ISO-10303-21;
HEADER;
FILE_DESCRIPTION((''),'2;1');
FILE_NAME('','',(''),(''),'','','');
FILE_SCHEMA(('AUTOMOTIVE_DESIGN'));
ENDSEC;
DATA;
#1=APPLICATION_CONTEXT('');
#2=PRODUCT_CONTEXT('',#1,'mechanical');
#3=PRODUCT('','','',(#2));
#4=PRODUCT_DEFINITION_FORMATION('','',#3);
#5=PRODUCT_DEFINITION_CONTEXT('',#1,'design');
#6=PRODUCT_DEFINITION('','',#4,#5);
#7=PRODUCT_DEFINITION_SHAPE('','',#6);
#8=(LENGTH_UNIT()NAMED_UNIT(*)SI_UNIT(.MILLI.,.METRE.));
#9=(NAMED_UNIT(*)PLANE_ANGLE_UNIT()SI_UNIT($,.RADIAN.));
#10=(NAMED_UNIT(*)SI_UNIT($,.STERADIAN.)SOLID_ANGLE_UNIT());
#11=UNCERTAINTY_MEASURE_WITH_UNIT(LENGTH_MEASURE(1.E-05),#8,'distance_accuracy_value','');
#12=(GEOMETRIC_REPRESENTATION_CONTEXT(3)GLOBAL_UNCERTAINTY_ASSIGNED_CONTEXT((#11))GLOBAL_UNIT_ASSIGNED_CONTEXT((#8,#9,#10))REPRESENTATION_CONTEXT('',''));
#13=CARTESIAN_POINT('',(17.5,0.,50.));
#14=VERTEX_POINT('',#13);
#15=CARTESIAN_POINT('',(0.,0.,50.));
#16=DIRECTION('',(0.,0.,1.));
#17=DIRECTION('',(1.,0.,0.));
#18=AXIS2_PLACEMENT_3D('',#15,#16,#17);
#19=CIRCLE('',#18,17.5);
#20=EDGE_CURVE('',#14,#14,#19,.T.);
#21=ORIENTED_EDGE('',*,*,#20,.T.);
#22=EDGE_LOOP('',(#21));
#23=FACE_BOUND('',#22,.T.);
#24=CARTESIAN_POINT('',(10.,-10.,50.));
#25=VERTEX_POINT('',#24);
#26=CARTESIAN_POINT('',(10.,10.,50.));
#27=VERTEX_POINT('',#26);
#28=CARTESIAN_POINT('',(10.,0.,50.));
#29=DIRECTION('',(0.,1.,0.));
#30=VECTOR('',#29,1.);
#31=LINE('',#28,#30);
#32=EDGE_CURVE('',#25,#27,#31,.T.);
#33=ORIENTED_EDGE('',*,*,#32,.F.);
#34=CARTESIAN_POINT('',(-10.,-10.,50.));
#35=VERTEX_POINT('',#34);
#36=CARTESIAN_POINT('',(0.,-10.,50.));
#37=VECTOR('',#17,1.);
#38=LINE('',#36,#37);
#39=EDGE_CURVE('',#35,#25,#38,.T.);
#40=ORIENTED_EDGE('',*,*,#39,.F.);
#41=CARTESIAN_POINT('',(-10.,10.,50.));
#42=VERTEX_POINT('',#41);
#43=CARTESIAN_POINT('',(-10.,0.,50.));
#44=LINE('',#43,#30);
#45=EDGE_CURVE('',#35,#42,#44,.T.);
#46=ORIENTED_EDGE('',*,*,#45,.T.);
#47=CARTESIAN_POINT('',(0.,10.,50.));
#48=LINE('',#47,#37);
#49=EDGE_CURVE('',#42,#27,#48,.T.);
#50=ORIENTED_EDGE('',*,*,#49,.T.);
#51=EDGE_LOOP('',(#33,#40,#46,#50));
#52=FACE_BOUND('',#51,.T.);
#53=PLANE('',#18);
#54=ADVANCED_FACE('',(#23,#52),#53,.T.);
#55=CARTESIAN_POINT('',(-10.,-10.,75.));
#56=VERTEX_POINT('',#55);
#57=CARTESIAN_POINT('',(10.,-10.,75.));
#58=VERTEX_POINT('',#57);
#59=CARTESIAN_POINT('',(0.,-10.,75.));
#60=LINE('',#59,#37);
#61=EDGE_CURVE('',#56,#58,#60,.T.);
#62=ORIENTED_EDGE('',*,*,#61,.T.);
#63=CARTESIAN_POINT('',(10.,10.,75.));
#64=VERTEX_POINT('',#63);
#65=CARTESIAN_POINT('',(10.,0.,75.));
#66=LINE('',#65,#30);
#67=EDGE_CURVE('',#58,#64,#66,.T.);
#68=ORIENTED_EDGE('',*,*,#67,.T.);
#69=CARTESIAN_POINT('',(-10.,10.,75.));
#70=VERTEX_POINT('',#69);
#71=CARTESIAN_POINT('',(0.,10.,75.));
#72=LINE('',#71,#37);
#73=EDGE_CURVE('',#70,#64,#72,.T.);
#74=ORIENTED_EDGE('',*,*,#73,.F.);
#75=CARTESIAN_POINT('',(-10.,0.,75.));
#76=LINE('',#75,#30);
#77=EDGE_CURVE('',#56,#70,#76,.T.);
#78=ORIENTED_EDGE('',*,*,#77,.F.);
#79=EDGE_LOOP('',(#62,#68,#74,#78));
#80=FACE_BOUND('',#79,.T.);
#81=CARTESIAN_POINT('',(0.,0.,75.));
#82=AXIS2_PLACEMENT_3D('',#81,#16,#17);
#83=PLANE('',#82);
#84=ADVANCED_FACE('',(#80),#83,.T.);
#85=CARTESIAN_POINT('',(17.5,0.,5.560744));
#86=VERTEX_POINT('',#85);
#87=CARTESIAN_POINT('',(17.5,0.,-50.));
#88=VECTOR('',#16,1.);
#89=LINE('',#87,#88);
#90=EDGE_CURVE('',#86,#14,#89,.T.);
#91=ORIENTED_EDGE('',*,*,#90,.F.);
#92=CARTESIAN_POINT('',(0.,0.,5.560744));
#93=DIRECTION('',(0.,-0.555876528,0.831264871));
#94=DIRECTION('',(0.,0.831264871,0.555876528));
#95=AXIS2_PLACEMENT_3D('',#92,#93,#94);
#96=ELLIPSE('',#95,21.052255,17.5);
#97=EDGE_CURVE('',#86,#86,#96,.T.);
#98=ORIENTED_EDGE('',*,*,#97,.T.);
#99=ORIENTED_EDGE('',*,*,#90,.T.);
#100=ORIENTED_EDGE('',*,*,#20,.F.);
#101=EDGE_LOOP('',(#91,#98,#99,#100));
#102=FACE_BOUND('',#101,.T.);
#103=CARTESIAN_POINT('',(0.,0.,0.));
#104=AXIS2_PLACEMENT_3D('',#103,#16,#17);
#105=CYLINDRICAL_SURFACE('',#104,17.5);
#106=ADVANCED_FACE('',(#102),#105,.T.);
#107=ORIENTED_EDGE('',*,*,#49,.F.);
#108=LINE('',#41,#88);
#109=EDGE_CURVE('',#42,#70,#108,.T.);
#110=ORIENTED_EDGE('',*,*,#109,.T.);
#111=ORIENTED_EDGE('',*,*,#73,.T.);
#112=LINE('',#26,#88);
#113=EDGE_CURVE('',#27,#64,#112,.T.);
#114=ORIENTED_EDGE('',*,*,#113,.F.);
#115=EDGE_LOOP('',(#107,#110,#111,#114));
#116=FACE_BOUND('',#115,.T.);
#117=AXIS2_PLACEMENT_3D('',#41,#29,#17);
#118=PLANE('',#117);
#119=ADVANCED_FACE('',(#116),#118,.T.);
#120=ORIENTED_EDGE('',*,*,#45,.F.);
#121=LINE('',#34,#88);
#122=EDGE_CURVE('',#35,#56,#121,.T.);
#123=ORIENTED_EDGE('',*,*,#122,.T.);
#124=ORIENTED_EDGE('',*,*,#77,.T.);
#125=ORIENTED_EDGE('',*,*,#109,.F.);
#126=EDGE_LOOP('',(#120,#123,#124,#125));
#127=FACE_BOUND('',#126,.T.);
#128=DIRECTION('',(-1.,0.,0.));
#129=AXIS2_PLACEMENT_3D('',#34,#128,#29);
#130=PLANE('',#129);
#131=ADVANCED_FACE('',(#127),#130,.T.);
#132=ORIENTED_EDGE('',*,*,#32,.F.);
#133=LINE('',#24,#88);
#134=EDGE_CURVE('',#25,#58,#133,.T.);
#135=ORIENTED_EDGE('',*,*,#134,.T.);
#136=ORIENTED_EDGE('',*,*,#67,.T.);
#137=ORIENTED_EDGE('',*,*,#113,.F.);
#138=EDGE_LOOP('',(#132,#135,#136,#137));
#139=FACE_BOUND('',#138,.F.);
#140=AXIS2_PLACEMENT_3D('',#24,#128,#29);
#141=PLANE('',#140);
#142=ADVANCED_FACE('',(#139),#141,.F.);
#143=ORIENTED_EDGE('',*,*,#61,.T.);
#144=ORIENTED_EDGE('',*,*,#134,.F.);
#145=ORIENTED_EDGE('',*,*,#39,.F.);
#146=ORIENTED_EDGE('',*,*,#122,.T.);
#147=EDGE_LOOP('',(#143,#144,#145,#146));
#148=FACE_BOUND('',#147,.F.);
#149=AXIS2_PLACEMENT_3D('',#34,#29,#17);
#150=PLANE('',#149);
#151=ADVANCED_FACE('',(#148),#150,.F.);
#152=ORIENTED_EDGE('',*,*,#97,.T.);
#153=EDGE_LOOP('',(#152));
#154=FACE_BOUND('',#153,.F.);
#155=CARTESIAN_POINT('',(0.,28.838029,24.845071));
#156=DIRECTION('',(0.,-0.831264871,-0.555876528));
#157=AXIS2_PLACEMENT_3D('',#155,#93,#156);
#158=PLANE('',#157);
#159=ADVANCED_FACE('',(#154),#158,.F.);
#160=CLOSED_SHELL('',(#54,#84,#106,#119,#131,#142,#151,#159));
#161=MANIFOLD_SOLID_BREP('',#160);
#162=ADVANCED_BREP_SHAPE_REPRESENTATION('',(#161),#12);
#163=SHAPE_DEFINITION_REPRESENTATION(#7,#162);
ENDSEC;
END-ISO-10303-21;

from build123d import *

# Parameters (mm, degrees)
F0_R     = 17.5
F1_DEPTH = 50
F2_W     = 20
F2_H     = 20
F3_DEPTH = 25
F5_DEPTH = 25


with BuildPart() as f1:
    # F0 (on Top) → F1 (new body, symmetric)
    with BuildSketch(Plane.XY):
        Circle(F0_R)
    extrude(amount=F1_DEPTH, both=True)

    # F2 (on face) → F3 (join)
    with BuildSketch(Plane.XY.offset(50)):
        Rectangle(F2_W, F2_H)
    extrude(amount=F3_DEPTH)

    # F4 (on Right) → F5 (cut, symmetric)
    with BuildSketch(Plane.YZ):
        Polygon((41.704226, -61.003525), (28.838029, 24.845071), (-43.478873, -23.514086), (-43.478873, -61.003525), align=None)
    extrude(amount=F5_DEPTH, both=True, mode=Mode.SUBTRACT)


solid = f1.part
